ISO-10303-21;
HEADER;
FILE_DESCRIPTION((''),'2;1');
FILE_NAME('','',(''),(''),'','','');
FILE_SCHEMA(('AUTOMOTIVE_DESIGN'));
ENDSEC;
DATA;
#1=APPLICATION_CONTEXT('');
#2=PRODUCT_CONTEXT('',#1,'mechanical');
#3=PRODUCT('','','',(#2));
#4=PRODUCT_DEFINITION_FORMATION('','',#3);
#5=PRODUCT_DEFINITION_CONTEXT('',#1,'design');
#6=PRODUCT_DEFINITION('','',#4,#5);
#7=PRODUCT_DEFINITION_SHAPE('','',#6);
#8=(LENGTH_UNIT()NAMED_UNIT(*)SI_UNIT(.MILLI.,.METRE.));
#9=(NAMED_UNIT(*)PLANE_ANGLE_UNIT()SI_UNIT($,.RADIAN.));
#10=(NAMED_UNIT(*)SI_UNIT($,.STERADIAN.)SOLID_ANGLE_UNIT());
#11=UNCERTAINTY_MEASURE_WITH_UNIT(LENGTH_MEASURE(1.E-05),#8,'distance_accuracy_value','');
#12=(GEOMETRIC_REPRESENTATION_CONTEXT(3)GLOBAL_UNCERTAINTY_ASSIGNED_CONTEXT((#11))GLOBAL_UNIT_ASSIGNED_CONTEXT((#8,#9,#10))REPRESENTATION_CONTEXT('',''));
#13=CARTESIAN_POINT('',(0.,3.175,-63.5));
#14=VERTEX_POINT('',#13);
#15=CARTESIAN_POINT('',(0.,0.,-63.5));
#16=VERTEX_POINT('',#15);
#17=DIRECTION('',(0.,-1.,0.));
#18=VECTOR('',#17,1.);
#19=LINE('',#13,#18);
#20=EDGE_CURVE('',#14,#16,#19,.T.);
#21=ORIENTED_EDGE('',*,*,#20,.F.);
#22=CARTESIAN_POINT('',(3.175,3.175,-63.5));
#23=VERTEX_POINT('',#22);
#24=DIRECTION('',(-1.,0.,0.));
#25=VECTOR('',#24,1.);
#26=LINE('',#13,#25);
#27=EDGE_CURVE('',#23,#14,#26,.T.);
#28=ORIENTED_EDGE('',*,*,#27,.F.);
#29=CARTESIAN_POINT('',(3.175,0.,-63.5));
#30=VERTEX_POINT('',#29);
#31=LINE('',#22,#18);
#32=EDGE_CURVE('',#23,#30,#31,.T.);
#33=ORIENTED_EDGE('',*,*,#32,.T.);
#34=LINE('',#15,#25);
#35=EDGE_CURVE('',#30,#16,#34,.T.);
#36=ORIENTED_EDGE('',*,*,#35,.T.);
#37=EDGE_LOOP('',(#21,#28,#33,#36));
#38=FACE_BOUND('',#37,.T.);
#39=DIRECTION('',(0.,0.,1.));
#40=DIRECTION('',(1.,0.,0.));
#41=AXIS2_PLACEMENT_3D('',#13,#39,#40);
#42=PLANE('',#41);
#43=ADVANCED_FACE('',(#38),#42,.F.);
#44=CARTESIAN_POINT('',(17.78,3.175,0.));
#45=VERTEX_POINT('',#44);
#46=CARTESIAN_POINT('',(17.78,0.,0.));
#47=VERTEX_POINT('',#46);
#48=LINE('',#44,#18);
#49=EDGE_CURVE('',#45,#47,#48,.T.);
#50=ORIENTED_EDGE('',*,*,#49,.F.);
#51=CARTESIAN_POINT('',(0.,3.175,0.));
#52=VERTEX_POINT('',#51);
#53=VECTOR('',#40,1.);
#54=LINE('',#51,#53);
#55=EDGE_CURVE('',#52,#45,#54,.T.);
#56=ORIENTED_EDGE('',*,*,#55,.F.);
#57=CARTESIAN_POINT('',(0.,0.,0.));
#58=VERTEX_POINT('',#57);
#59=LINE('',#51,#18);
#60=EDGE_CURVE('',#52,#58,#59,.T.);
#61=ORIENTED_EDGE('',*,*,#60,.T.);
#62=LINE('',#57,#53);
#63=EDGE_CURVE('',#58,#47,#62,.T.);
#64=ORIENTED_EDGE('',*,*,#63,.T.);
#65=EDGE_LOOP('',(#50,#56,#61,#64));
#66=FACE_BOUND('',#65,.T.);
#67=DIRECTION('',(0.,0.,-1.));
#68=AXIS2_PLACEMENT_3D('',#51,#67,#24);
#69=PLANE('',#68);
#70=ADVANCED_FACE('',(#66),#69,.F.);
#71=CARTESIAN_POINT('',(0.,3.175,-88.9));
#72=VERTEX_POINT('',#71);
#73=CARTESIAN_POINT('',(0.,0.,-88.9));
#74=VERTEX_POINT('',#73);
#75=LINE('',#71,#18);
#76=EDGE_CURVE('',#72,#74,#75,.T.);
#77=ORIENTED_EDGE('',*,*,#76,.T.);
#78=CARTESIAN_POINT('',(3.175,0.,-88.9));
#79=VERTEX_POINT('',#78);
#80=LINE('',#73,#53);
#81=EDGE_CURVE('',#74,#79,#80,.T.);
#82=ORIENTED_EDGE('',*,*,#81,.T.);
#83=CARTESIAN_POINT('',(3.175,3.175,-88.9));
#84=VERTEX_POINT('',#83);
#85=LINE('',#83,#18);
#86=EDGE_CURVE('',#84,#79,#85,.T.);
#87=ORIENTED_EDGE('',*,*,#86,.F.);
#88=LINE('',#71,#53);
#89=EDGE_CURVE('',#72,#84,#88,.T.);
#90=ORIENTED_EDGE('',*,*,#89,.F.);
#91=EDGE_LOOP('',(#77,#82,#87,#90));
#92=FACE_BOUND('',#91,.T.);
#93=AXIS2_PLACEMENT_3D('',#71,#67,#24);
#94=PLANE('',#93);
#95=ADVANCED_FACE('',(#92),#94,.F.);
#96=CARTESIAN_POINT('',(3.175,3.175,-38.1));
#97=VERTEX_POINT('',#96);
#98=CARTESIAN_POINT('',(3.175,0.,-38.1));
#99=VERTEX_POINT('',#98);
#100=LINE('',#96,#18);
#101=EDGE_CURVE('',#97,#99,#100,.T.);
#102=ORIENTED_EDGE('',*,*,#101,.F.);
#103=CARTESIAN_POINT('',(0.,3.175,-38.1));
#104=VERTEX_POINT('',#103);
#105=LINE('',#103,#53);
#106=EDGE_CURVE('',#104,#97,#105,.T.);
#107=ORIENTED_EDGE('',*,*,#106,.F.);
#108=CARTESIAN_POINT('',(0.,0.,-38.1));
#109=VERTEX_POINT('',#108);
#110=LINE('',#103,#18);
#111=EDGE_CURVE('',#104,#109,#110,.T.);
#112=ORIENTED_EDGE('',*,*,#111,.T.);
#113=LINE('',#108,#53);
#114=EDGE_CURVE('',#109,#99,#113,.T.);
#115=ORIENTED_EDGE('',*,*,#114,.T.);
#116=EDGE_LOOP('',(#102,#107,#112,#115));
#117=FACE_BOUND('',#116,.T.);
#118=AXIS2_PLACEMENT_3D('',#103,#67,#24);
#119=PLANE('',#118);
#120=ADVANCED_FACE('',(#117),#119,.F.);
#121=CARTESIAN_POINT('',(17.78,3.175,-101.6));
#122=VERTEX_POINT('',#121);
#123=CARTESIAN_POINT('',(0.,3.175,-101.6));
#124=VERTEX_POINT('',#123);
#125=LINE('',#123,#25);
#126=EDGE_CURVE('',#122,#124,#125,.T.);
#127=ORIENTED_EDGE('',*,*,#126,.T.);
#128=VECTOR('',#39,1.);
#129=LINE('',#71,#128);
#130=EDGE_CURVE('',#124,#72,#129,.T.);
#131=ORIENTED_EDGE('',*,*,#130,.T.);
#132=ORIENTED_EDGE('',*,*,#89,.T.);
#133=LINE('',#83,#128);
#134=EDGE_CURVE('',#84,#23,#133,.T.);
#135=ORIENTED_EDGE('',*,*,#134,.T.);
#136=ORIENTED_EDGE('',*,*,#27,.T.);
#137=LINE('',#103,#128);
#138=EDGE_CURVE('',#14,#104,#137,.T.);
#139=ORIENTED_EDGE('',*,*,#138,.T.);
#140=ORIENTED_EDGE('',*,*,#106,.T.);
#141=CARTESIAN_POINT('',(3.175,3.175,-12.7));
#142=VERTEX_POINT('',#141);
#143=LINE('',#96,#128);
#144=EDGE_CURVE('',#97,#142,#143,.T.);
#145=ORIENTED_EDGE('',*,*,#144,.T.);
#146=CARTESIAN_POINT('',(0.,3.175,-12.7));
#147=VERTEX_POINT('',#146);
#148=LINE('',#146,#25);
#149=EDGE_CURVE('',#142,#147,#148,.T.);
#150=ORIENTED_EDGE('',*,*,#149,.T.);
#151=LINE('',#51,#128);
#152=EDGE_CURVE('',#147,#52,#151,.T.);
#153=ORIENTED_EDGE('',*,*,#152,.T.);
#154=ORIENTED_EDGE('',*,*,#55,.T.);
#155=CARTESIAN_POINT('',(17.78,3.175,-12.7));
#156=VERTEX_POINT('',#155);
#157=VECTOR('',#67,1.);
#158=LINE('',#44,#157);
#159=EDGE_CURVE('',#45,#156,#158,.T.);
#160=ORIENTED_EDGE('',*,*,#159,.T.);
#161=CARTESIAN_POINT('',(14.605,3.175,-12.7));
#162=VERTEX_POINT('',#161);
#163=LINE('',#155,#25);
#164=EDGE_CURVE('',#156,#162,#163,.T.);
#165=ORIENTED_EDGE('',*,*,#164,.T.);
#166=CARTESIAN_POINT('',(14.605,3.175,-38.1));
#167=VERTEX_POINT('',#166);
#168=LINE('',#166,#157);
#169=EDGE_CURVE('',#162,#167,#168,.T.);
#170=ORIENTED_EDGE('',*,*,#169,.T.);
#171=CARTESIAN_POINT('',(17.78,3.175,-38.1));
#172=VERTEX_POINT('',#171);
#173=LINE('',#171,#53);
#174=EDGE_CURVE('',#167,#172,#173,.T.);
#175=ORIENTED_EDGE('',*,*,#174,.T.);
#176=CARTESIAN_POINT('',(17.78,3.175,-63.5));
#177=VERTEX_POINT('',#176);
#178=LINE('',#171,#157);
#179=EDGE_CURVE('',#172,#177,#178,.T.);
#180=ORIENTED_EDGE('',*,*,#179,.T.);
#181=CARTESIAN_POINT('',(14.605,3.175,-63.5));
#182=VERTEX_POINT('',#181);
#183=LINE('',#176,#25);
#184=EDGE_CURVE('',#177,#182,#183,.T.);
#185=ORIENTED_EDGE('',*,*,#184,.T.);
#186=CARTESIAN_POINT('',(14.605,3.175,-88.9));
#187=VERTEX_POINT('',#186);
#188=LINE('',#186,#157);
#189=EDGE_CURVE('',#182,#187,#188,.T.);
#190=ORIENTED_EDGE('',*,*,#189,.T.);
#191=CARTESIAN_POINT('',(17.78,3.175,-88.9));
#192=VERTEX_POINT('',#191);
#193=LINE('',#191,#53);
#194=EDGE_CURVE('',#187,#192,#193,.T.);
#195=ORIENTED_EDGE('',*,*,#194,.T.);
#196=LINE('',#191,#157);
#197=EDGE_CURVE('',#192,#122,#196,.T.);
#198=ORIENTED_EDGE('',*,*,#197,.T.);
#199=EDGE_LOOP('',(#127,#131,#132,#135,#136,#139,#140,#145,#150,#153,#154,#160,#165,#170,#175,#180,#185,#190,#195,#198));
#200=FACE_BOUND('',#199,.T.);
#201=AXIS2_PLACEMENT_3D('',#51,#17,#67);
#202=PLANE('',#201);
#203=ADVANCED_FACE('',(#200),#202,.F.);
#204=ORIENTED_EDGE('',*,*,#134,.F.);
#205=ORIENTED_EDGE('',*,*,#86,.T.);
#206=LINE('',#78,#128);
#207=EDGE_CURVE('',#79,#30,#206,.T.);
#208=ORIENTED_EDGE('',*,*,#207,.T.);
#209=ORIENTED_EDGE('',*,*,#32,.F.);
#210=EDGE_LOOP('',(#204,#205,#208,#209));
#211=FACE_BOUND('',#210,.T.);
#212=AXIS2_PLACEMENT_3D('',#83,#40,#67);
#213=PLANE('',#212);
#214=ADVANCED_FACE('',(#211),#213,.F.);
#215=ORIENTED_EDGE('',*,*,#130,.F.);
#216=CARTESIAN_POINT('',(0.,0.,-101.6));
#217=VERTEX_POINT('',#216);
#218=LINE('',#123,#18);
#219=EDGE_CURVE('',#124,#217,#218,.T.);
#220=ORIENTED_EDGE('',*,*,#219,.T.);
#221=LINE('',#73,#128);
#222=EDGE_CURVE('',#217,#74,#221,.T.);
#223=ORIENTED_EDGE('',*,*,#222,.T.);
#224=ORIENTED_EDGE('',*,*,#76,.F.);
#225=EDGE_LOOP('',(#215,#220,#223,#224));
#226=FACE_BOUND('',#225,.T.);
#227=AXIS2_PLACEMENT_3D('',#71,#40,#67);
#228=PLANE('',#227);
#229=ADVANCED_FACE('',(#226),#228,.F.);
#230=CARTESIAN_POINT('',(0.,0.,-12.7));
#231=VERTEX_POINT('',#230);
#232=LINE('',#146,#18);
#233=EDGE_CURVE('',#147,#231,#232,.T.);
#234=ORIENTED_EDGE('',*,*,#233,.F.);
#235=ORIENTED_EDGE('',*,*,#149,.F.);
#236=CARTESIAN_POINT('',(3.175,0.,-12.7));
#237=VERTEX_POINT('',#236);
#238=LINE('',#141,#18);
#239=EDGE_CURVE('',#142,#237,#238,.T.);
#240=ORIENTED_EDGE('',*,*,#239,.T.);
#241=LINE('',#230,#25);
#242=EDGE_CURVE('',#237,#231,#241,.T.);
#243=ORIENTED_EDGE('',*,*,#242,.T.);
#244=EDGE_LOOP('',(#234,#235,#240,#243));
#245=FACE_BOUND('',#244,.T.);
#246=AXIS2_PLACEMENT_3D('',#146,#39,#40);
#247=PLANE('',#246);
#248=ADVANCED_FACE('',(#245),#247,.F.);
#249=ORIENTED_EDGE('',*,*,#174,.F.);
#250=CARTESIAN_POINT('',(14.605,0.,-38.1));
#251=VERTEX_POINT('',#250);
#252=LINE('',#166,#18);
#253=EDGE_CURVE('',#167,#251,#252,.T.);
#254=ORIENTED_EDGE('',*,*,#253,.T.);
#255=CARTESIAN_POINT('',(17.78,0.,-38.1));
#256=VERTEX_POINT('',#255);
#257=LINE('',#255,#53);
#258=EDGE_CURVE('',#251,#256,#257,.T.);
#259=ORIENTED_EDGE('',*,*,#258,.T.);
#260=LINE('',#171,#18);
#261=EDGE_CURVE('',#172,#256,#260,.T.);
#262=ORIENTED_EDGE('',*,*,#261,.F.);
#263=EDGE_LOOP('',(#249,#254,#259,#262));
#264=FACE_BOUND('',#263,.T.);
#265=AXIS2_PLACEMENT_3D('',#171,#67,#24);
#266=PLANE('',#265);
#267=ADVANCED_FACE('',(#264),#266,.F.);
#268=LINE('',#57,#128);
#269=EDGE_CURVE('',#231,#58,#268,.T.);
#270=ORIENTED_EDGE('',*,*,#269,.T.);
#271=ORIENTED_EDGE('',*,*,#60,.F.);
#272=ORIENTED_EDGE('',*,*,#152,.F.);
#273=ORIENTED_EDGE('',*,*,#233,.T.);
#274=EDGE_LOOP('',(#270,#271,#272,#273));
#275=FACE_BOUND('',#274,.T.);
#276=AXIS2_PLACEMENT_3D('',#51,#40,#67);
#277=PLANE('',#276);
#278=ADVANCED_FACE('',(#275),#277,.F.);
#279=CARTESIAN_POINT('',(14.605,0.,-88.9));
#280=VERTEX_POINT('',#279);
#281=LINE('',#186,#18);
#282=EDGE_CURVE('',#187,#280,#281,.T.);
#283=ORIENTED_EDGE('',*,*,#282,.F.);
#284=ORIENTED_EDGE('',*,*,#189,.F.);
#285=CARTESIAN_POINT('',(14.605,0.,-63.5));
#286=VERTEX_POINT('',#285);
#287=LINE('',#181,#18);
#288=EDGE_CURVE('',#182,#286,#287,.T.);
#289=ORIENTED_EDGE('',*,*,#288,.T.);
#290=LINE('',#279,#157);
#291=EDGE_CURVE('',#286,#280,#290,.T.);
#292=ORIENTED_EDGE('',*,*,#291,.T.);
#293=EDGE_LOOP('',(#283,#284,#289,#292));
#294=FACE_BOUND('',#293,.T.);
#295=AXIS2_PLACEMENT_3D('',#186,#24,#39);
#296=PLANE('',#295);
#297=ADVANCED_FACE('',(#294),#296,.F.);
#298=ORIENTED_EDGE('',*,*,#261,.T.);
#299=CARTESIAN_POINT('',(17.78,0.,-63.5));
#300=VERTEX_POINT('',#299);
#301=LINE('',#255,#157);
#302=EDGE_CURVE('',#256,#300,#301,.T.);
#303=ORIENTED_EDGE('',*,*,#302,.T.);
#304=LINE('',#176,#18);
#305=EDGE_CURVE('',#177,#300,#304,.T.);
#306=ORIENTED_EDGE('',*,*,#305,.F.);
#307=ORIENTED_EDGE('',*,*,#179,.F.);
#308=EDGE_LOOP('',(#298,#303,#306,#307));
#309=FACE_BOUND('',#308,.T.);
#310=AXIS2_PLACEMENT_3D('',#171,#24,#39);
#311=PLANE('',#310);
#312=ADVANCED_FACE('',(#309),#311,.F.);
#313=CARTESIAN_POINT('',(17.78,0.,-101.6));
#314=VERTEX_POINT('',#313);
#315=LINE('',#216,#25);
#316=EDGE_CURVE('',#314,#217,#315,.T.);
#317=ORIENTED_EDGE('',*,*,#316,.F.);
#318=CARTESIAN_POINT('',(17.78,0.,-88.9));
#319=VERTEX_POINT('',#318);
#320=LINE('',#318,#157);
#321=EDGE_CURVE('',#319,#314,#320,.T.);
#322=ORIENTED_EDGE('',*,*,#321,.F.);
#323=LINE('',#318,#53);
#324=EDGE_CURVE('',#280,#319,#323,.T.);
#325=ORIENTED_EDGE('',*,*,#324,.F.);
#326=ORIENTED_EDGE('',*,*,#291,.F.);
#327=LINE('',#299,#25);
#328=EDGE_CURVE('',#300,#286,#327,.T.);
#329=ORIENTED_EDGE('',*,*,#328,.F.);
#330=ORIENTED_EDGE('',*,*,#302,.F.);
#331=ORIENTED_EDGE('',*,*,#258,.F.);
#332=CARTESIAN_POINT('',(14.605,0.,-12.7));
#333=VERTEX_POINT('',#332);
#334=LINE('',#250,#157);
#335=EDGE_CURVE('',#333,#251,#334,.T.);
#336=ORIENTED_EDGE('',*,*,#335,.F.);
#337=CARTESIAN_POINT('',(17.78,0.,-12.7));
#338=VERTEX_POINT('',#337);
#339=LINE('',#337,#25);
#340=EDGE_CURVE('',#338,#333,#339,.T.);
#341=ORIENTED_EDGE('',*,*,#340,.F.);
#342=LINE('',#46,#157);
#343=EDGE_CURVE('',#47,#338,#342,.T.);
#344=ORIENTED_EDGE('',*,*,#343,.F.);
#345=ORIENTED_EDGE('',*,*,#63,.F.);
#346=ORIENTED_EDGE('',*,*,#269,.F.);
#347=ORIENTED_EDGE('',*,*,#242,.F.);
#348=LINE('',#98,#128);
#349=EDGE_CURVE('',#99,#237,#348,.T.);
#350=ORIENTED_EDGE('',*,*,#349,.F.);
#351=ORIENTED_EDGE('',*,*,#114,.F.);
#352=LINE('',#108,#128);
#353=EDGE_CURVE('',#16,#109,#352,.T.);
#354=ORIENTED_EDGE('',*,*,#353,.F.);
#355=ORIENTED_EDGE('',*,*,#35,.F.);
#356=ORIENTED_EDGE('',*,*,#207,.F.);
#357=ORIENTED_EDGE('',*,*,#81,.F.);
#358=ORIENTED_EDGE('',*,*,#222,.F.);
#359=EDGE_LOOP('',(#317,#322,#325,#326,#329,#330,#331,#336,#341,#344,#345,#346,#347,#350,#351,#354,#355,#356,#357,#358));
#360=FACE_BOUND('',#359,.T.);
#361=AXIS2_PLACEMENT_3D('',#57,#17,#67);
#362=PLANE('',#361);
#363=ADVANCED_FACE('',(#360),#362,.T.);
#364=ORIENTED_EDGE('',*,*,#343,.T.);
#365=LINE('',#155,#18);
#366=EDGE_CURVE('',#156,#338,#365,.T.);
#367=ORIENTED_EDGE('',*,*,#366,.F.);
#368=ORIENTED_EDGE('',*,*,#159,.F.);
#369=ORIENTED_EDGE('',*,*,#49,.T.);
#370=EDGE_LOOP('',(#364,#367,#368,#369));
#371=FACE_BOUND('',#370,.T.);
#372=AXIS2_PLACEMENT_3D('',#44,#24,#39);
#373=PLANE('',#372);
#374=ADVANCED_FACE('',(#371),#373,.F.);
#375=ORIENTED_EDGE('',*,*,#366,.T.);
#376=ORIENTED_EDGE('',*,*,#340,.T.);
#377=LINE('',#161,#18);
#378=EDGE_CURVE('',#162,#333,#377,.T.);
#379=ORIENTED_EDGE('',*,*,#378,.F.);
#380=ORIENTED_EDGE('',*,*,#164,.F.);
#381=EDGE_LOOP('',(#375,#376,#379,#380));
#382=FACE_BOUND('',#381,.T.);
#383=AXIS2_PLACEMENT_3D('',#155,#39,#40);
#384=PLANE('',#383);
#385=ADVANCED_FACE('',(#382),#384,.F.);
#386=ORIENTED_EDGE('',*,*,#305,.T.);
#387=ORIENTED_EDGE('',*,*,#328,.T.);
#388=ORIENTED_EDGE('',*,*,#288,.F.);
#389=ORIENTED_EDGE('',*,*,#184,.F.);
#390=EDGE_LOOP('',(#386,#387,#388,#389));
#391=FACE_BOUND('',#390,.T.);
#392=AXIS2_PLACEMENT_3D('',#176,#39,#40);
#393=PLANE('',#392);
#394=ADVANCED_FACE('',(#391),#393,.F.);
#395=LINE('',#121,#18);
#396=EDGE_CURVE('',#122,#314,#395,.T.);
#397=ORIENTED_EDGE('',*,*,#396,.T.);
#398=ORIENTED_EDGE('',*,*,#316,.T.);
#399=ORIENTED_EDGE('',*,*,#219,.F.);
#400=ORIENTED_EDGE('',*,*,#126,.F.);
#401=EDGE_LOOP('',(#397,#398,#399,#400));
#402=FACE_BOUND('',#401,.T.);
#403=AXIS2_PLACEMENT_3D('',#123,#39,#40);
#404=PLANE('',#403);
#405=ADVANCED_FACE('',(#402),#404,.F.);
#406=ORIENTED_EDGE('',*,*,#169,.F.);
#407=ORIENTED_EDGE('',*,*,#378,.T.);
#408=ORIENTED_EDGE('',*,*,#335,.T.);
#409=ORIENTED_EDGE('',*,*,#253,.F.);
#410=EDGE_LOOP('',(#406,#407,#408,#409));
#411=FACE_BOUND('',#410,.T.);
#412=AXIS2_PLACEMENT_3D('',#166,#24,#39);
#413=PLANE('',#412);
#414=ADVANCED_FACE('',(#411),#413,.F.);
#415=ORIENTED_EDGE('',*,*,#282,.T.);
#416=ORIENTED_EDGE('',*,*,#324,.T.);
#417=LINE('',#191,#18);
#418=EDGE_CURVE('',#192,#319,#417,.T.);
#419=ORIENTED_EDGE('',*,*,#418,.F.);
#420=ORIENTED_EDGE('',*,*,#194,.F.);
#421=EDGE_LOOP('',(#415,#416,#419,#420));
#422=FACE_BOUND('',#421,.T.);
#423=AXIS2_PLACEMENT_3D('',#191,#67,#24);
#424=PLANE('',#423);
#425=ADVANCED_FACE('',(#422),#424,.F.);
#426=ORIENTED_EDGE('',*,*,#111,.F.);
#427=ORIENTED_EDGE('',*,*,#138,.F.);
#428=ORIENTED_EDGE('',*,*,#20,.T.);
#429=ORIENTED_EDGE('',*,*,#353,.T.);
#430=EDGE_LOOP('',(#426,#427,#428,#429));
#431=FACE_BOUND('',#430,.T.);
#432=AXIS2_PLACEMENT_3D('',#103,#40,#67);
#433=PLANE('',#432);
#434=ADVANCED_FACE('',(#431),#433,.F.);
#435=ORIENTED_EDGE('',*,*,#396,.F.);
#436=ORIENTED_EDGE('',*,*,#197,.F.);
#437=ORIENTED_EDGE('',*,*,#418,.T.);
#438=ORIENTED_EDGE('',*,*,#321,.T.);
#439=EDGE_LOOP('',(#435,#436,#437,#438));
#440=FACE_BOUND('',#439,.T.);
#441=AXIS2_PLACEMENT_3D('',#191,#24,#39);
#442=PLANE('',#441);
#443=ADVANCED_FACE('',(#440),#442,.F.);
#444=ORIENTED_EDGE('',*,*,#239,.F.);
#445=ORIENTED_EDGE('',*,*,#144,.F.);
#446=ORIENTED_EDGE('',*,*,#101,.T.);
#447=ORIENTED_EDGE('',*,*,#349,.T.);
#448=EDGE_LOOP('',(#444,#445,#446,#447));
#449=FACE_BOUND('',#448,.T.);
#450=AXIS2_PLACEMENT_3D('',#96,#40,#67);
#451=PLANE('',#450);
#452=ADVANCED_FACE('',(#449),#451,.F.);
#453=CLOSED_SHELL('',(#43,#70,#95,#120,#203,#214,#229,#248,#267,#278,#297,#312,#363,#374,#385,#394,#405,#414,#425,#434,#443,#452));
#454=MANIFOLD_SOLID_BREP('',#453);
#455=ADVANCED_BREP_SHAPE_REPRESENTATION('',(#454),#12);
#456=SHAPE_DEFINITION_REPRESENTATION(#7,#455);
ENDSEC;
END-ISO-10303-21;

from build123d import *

# Parameters (mm, degrees)
BOSS_EXTRUDE1_DEPTH = 3.175


with BuildPart() as part:
    # Sketch1 → Boss-Extrude1 (new body)
    with BuildSketch(Plane(origin=(0, 0, 0), x_dir=(1, 0, 0), z_dir=(0, 1, 0))):
        Polygon((0, 88.9), (0, 101.6), (17.78, 101.6), (17.78, 88.9), (14.605, 88.9), (14.605, 63.5), (17.78, 63.5), (17.78, 38.1), (14.605, 38.1), (14.605, 12.7), (17.78, 12.7), (17.78, 0), (0, 0), (0, 12.7), (3.175, 12.7), (3.175, 38.1), (0, 38.1), (0, 63.5), (3.175, 63.5), (3.175, 88.9), align=None)
    extrude(amount=BOSS_EXTRUDE1_DEPTH)


solid = part.part
